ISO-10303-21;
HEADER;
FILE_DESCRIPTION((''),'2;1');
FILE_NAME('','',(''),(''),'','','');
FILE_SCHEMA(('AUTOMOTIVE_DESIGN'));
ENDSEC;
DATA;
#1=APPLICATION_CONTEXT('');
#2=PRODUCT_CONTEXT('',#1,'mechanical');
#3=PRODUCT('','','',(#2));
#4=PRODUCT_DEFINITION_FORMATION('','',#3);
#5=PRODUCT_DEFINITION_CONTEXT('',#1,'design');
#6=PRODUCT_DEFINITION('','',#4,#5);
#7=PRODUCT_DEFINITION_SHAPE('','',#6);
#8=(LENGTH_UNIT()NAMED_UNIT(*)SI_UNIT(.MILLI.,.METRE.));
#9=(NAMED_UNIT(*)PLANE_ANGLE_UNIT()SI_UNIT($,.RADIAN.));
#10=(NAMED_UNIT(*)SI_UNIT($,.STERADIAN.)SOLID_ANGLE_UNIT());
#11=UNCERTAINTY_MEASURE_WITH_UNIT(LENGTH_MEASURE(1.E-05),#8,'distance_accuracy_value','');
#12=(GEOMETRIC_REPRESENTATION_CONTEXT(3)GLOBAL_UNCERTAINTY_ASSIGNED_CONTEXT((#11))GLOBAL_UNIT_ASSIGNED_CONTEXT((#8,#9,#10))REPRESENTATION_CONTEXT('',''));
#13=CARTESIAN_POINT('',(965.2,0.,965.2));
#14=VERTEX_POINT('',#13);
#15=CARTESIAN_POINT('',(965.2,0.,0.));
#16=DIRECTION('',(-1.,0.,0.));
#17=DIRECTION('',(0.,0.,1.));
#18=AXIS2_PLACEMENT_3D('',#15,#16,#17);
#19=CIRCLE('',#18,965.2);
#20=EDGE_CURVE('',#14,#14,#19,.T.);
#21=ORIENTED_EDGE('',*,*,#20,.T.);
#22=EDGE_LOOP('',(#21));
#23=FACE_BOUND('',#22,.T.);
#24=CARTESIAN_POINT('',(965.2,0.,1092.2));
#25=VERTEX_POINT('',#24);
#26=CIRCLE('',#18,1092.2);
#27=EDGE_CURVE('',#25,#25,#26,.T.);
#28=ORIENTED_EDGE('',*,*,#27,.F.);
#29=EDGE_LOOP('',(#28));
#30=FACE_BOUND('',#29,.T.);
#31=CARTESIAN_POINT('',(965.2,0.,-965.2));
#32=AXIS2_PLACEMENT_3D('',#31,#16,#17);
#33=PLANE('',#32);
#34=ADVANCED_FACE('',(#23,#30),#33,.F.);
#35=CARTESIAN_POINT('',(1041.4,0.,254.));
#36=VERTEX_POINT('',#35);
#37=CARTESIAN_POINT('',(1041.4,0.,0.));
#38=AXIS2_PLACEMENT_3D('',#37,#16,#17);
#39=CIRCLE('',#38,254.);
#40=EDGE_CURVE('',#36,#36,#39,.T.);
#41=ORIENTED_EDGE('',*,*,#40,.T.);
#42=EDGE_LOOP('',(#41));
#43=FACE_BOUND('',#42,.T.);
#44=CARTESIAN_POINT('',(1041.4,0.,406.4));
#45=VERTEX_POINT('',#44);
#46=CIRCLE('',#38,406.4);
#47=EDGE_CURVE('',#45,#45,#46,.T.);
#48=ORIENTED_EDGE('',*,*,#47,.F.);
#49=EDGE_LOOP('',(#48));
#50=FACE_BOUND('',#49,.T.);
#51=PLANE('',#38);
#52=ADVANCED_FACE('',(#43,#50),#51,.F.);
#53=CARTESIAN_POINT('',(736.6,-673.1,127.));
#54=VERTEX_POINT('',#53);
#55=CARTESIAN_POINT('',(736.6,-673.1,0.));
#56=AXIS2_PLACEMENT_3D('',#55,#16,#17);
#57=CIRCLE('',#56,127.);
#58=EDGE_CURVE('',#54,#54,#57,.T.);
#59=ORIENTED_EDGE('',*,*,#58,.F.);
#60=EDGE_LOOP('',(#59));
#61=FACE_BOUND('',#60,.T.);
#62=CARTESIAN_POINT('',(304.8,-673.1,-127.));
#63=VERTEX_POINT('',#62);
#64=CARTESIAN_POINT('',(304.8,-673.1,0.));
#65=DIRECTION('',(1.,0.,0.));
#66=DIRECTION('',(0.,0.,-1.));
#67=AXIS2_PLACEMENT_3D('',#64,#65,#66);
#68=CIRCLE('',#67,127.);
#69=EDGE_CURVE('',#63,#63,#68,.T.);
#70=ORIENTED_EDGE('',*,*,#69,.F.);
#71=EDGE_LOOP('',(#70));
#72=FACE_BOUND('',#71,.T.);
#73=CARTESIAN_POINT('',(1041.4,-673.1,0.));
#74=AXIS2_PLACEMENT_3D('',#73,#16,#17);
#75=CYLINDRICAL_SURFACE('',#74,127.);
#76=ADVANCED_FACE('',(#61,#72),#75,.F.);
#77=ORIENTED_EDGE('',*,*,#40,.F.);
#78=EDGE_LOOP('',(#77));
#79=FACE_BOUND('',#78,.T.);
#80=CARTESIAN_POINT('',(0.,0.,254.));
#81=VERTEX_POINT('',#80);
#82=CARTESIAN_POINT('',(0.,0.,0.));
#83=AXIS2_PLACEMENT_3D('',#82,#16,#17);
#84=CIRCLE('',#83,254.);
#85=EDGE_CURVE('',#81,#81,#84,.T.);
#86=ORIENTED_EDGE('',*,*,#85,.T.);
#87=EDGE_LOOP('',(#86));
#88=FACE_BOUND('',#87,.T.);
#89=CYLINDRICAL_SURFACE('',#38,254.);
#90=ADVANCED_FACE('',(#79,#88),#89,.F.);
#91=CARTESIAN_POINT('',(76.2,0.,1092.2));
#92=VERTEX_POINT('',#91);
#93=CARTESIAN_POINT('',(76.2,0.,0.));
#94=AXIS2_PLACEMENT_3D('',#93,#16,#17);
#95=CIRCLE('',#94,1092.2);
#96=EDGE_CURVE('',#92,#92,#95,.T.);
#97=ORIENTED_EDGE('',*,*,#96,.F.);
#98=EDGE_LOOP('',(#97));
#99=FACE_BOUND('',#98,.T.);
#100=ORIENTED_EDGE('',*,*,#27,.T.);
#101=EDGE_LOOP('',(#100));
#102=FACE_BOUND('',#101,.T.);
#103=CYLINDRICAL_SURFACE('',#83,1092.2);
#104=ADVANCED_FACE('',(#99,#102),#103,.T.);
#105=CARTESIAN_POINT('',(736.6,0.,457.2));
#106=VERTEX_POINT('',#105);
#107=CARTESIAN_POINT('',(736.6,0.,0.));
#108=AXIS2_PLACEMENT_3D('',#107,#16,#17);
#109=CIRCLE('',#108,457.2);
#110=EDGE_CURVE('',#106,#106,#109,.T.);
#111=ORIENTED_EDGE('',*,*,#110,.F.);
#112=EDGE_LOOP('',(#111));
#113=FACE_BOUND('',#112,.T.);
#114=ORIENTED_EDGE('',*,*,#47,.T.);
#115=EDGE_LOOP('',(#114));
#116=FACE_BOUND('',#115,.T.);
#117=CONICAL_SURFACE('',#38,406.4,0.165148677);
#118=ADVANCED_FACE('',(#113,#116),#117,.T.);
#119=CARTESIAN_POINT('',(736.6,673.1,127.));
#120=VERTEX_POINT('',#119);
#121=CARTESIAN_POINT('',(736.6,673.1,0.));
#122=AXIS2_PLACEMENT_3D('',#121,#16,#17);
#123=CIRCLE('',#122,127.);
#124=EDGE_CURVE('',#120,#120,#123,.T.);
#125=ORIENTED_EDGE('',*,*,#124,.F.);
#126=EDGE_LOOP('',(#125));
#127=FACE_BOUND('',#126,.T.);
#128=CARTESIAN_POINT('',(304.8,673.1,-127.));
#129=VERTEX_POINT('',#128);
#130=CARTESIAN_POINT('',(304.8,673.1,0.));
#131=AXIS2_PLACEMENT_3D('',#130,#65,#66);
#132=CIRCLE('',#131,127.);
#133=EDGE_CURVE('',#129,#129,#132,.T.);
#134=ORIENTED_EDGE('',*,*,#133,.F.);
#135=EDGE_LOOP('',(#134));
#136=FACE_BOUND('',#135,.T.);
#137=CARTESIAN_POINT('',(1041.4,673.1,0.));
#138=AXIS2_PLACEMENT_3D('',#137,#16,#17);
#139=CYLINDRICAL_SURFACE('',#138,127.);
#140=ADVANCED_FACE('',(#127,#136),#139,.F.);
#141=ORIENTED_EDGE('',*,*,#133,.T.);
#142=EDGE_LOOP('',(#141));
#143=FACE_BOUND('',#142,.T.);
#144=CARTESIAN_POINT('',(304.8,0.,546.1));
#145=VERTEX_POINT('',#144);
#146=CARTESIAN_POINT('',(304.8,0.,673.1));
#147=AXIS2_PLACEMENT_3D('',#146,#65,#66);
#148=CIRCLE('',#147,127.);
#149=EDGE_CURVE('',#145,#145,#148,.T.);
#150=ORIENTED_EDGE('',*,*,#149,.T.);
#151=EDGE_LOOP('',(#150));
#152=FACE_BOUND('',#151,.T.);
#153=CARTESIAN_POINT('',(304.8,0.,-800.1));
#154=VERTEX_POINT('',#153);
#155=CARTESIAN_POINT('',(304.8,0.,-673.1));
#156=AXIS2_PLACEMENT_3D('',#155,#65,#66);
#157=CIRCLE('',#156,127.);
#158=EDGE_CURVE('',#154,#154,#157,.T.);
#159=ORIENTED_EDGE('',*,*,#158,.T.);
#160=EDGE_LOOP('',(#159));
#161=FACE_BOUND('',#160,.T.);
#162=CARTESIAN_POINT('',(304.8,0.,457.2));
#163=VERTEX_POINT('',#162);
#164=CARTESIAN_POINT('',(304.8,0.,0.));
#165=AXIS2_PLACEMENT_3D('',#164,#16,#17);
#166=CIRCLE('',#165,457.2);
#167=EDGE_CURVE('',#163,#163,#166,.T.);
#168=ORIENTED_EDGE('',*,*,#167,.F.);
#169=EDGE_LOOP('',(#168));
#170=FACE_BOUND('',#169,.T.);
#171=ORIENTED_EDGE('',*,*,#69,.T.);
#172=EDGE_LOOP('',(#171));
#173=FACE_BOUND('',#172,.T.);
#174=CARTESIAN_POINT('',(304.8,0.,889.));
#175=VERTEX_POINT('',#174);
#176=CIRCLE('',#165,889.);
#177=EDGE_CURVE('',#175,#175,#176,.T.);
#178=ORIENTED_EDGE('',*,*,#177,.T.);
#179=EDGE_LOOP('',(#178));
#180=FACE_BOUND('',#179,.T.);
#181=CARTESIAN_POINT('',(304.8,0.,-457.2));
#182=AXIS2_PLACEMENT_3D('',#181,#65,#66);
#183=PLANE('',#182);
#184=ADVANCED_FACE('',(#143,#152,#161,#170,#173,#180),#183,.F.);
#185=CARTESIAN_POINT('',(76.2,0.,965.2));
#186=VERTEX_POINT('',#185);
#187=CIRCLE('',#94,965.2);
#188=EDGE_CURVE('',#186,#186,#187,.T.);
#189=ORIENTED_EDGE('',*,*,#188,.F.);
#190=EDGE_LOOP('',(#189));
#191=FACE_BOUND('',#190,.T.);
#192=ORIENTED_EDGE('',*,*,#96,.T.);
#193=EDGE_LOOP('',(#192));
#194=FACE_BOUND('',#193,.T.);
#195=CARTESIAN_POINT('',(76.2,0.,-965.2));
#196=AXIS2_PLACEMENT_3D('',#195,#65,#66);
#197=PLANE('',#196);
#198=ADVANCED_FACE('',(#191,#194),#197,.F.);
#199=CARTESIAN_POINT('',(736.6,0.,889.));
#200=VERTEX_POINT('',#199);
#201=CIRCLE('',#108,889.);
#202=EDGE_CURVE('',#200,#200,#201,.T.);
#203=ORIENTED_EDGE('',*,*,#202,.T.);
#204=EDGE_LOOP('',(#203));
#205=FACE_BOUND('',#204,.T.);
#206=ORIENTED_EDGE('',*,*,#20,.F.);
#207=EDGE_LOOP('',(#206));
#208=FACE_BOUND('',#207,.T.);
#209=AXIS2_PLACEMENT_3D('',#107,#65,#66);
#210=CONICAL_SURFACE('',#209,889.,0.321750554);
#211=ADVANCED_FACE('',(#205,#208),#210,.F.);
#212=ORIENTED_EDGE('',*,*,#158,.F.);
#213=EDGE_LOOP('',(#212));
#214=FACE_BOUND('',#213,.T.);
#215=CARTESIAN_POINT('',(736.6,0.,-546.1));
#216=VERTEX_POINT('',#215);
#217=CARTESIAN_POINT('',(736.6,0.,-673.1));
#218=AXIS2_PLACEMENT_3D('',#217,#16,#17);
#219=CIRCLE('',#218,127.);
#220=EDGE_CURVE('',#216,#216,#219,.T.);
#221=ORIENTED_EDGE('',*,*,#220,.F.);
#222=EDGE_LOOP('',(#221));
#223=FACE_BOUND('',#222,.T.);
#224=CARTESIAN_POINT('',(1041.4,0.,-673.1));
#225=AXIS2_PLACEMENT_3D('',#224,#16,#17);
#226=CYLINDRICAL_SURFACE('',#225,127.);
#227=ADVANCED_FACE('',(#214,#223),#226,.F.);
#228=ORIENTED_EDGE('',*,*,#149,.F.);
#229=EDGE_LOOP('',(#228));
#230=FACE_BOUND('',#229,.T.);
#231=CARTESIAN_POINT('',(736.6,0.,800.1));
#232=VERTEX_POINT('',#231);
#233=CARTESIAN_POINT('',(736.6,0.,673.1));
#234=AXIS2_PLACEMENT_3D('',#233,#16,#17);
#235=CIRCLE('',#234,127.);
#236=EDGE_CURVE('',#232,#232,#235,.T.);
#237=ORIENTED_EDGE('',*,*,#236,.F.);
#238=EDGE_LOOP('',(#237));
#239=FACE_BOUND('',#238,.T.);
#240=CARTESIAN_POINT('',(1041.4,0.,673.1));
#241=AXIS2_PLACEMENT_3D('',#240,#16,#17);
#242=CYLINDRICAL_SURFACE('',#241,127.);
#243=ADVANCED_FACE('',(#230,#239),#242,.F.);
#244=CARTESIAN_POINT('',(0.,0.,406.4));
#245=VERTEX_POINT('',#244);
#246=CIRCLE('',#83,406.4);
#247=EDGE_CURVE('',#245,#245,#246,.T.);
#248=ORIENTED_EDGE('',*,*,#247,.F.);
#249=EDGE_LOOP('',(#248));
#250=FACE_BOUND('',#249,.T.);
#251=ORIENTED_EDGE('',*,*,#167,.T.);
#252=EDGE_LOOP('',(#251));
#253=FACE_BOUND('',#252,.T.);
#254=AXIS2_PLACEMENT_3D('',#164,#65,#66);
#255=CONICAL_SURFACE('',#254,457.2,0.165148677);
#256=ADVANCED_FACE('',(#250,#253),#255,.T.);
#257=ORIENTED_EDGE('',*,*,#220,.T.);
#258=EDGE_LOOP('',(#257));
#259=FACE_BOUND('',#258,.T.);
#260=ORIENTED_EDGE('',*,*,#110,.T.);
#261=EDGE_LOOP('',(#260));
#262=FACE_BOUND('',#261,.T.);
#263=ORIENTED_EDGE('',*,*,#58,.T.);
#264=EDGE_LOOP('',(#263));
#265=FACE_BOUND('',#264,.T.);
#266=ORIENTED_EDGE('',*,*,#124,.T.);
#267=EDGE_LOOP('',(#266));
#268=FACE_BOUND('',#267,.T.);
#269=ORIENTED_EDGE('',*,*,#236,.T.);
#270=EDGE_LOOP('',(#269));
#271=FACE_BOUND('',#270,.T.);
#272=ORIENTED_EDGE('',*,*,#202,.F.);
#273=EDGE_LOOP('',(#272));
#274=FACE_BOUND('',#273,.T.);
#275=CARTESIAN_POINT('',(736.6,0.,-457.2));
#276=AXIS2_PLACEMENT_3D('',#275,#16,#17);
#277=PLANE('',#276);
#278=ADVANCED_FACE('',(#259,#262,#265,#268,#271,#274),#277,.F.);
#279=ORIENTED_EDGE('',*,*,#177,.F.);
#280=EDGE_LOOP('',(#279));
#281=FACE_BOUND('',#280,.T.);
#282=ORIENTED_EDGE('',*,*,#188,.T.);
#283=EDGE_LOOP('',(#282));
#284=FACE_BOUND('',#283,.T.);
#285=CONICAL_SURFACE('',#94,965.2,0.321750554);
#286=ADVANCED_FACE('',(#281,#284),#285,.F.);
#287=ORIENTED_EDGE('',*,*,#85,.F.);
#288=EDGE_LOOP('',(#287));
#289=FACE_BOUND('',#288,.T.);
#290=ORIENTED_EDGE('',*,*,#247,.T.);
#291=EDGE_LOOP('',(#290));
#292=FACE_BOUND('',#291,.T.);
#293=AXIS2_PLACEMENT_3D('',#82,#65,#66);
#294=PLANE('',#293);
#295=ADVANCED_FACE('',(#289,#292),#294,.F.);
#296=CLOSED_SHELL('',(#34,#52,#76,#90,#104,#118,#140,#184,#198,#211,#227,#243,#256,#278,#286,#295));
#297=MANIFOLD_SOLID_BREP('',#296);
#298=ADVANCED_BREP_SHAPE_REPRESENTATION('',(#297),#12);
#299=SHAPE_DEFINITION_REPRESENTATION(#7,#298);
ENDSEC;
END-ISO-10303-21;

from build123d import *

# Parameters (mm, degrees)
SKETCH5_R          = 127
CUT_EXTRUDE1_DEPTH = 1863.878321308
SKETCH6_R          = 254
CUT_EXTRUDE2_DEPTH = 1863.878321308


with BuildPart() as part:
    # Sketch2 → Revolve2 (revolve)
    with BuildSketch(Plane(origin=(0, 0, 0), x_dir=(1, 0, 0), z_dir=(0, 1, 0)), mode=Mode.PRIVATE) as revolve2_sk:
        Polygon((0, 0), (0, 406.4), (304.8, 457.2), (304.8, 889), (76.2, 965.2), (76.2, 1092.2), (965.2, 1092.2), (965.2, 965.2), (736.6, 889), (736.6, 457.2), (1041.4, 406.4), (1041.4, 0), align=None)
    revolve(revolve2_sk.sketch.rotate(Axis((0, 0, 0), (1, 0, 0)), 180), axis=Axis((0, 0, 0), (1, 0, 0)))

    # Sketch5 → Cut-Extrude1 (cut, through all)
    with BuildSketch(Plane.ZY):
        with Locations((0, 673.1)):
            Circle(SKETCH5_R)
        with Locations((673.1, 0)):
            Circle(SKETCH5_R)
        with Locations((0, -673.1)):
            Circle(SKETCH5_R)
        with Locations((-673.1, 0)):
            Circle(SKETCH5_R)
    extrude(amount=-CUT_EXTRUDE1_DEPTH, mode=Mode.SUBTRACT)

    # Sketch6 → Cut-Extrude2 (cut, through all)
    with BuildSketch(Plane.ZY):
        Circle(SKETCH6_R)
    extrude(amount=-CUT_EXTRUDE2_DEPTH, mode=Mode.SUBTRACT)


solid = part.part
